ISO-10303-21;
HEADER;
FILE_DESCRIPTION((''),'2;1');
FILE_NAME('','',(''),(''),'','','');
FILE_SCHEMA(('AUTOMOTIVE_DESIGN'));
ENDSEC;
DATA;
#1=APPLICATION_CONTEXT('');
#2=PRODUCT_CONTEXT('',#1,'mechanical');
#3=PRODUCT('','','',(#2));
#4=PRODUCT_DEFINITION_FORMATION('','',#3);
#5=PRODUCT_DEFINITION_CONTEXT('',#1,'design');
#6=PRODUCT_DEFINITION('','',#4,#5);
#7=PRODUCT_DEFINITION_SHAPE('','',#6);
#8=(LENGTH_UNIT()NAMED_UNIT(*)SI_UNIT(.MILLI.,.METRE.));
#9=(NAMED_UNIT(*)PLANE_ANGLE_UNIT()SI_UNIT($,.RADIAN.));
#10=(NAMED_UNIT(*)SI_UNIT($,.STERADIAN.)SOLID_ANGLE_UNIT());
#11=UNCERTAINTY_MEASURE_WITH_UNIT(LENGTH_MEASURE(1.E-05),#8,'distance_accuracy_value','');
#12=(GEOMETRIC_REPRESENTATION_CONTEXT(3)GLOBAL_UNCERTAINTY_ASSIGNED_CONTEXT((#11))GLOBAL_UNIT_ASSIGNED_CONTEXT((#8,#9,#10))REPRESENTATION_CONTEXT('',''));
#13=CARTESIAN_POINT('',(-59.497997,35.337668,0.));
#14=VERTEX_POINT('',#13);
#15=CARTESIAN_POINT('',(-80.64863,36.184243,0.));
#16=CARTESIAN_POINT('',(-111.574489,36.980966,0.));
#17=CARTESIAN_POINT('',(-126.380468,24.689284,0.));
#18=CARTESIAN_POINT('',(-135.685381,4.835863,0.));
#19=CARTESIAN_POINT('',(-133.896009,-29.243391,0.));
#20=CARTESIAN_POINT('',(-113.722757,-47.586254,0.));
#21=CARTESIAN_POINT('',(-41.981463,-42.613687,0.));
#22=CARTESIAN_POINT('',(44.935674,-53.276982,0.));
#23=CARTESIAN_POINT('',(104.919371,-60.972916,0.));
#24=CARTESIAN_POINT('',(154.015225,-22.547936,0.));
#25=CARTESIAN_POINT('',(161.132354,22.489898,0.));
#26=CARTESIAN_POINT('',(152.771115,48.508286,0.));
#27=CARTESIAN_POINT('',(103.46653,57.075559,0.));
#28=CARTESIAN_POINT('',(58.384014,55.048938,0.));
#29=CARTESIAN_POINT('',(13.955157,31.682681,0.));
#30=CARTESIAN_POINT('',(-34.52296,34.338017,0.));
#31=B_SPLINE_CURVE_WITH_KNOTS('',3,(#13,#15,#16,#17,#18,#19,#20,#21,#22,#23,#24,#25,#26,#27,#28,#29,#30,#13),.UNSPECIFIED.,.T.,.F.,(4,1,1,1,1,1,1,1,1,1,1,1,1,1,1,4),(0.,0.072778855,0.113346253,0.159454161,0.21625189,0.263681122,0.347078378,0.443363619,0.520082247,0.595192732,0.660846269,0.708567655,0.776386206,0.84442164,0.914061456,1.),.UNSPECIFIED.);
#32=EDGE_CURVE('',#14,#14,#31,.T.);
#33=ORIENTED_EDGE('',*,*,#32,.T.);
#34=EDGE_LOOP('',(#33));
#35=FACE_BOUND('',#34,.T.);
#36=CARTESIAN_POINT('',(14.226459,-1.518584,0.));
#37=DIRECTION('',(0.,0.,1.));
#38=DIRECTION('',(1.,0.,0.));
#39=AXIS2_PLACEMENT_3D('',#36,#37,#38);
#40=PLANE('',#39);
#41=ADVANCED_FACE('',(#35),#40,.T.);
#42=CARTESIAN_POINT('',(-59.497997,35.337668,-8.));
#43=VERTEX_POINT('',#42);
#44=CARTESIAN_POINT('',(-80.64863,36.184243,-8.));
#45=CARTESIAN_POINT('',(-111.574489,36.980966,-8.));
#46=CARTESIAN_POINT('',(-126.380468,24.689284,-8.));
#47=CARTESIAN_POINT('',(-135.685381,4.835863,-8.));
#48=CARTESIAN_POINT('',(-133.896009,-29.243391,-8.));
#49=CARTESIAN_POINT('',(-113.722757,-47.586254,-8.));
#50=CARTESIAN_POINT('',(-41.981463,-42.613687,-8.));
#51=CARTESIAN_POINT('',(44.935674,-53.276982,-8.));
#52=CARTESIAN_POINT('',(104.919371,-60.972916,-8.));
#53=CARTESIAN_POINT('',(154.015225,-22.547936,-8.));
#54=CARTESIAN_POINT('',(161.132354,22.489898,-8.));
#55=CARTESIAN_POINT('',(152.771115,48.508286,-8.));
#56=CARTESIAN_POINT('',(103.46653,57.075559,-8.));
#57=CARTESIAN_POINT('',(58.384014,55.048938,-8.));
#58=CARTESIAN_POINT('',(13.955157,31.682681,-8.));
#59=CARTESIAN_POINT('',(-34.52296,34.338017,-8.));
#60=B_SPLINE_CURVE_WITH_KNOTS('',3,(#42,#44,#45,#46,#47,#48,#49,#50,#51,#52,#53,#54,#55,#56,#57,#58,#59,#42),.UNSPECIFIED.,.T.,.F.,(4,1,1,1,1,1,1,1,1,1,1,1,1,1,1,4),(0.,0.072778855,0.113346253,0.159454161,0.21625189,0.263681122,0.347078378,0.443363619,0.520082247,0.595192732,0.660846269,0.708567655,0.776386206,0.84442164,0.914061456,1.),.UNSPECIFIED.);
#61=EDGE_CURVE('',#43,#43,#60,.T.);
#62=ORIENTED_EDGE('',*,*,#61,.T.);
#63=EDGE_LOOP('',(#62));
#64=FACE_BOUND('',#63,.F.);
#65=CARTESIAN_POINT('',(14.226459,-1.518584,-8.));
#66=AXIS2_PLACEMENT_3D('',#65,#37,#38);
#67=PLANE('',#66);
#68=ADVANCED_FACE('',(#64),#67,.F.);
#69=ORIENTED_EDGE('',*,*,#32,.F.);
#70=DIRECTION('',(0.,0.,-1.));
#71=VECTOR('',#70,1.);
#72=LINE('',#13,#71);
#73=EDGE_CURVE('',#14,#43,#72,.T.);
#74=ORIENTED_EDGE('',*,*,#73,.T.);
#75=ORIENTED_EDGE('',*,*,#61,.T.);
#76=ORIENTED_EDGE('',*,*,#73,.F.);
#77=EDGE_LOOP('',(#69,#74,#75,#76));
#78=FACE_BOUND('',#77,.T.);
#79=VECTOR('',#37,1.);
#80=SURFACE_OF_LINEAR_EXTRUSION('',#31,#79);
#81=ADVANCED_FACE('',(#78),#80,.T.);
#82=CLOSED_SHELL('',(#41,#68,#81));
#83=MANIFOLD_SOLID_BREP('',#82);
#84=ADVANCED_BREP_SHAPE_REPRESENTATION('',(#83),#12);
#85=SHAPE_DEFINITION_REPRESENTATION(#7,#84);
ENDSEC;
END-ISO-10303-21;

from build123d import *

# Parameters (mm, degrees)
F1_DEPTH = 8


with BuildPart() as f1:
    # F0 (on Top) → F1 (new body)
    with BuildSketch(Plane.XY):
        with BuildLine():
            add(Edge.make_bspline(
                [(-59.4979971647, 35.3376679122), (-80.6486302351, 36.1842429554), (-111.5744887258, 36.9809661518), (-126.3804683141, 24.6892837403), (-135.6853808945, 4.8358627734), (-133.8960089838, -29.243390638), (-113.7227565964, -47.586254176), (-41.9814634828, -42.6136872988), (44.9356744987, -53.2769824183), (104.9193707136, -60.9729161122), (154.0152247351, -22.5479357254), (161.1323544609, 22.4898976978), (152.7711146094, 48.508286165), (103.4665298556, 57.0755592199), (58.3840136685, 55.0489383428), (13.9551567869, 31.6826812068), (-34.5229599932, 34.338017306), (-59.4979971647, 35.3376679122)],
                knots=[0, 0, 0, 0, 0.0727788547, 0.1133462535, 0.1594541615, 0.2162518902, 0.2636811215, 0.3470783782, 0.4433636186, 0.5200822467, 0.5951927323, 0.6608462692, 0.7085676549, 0.7763862058, 0.8444216395, 0.9140614564, 1, 1, 1, 1], degree=3))
        make_face()
    extrude(amount=-F1_DEPTH)


solid = f1.part
